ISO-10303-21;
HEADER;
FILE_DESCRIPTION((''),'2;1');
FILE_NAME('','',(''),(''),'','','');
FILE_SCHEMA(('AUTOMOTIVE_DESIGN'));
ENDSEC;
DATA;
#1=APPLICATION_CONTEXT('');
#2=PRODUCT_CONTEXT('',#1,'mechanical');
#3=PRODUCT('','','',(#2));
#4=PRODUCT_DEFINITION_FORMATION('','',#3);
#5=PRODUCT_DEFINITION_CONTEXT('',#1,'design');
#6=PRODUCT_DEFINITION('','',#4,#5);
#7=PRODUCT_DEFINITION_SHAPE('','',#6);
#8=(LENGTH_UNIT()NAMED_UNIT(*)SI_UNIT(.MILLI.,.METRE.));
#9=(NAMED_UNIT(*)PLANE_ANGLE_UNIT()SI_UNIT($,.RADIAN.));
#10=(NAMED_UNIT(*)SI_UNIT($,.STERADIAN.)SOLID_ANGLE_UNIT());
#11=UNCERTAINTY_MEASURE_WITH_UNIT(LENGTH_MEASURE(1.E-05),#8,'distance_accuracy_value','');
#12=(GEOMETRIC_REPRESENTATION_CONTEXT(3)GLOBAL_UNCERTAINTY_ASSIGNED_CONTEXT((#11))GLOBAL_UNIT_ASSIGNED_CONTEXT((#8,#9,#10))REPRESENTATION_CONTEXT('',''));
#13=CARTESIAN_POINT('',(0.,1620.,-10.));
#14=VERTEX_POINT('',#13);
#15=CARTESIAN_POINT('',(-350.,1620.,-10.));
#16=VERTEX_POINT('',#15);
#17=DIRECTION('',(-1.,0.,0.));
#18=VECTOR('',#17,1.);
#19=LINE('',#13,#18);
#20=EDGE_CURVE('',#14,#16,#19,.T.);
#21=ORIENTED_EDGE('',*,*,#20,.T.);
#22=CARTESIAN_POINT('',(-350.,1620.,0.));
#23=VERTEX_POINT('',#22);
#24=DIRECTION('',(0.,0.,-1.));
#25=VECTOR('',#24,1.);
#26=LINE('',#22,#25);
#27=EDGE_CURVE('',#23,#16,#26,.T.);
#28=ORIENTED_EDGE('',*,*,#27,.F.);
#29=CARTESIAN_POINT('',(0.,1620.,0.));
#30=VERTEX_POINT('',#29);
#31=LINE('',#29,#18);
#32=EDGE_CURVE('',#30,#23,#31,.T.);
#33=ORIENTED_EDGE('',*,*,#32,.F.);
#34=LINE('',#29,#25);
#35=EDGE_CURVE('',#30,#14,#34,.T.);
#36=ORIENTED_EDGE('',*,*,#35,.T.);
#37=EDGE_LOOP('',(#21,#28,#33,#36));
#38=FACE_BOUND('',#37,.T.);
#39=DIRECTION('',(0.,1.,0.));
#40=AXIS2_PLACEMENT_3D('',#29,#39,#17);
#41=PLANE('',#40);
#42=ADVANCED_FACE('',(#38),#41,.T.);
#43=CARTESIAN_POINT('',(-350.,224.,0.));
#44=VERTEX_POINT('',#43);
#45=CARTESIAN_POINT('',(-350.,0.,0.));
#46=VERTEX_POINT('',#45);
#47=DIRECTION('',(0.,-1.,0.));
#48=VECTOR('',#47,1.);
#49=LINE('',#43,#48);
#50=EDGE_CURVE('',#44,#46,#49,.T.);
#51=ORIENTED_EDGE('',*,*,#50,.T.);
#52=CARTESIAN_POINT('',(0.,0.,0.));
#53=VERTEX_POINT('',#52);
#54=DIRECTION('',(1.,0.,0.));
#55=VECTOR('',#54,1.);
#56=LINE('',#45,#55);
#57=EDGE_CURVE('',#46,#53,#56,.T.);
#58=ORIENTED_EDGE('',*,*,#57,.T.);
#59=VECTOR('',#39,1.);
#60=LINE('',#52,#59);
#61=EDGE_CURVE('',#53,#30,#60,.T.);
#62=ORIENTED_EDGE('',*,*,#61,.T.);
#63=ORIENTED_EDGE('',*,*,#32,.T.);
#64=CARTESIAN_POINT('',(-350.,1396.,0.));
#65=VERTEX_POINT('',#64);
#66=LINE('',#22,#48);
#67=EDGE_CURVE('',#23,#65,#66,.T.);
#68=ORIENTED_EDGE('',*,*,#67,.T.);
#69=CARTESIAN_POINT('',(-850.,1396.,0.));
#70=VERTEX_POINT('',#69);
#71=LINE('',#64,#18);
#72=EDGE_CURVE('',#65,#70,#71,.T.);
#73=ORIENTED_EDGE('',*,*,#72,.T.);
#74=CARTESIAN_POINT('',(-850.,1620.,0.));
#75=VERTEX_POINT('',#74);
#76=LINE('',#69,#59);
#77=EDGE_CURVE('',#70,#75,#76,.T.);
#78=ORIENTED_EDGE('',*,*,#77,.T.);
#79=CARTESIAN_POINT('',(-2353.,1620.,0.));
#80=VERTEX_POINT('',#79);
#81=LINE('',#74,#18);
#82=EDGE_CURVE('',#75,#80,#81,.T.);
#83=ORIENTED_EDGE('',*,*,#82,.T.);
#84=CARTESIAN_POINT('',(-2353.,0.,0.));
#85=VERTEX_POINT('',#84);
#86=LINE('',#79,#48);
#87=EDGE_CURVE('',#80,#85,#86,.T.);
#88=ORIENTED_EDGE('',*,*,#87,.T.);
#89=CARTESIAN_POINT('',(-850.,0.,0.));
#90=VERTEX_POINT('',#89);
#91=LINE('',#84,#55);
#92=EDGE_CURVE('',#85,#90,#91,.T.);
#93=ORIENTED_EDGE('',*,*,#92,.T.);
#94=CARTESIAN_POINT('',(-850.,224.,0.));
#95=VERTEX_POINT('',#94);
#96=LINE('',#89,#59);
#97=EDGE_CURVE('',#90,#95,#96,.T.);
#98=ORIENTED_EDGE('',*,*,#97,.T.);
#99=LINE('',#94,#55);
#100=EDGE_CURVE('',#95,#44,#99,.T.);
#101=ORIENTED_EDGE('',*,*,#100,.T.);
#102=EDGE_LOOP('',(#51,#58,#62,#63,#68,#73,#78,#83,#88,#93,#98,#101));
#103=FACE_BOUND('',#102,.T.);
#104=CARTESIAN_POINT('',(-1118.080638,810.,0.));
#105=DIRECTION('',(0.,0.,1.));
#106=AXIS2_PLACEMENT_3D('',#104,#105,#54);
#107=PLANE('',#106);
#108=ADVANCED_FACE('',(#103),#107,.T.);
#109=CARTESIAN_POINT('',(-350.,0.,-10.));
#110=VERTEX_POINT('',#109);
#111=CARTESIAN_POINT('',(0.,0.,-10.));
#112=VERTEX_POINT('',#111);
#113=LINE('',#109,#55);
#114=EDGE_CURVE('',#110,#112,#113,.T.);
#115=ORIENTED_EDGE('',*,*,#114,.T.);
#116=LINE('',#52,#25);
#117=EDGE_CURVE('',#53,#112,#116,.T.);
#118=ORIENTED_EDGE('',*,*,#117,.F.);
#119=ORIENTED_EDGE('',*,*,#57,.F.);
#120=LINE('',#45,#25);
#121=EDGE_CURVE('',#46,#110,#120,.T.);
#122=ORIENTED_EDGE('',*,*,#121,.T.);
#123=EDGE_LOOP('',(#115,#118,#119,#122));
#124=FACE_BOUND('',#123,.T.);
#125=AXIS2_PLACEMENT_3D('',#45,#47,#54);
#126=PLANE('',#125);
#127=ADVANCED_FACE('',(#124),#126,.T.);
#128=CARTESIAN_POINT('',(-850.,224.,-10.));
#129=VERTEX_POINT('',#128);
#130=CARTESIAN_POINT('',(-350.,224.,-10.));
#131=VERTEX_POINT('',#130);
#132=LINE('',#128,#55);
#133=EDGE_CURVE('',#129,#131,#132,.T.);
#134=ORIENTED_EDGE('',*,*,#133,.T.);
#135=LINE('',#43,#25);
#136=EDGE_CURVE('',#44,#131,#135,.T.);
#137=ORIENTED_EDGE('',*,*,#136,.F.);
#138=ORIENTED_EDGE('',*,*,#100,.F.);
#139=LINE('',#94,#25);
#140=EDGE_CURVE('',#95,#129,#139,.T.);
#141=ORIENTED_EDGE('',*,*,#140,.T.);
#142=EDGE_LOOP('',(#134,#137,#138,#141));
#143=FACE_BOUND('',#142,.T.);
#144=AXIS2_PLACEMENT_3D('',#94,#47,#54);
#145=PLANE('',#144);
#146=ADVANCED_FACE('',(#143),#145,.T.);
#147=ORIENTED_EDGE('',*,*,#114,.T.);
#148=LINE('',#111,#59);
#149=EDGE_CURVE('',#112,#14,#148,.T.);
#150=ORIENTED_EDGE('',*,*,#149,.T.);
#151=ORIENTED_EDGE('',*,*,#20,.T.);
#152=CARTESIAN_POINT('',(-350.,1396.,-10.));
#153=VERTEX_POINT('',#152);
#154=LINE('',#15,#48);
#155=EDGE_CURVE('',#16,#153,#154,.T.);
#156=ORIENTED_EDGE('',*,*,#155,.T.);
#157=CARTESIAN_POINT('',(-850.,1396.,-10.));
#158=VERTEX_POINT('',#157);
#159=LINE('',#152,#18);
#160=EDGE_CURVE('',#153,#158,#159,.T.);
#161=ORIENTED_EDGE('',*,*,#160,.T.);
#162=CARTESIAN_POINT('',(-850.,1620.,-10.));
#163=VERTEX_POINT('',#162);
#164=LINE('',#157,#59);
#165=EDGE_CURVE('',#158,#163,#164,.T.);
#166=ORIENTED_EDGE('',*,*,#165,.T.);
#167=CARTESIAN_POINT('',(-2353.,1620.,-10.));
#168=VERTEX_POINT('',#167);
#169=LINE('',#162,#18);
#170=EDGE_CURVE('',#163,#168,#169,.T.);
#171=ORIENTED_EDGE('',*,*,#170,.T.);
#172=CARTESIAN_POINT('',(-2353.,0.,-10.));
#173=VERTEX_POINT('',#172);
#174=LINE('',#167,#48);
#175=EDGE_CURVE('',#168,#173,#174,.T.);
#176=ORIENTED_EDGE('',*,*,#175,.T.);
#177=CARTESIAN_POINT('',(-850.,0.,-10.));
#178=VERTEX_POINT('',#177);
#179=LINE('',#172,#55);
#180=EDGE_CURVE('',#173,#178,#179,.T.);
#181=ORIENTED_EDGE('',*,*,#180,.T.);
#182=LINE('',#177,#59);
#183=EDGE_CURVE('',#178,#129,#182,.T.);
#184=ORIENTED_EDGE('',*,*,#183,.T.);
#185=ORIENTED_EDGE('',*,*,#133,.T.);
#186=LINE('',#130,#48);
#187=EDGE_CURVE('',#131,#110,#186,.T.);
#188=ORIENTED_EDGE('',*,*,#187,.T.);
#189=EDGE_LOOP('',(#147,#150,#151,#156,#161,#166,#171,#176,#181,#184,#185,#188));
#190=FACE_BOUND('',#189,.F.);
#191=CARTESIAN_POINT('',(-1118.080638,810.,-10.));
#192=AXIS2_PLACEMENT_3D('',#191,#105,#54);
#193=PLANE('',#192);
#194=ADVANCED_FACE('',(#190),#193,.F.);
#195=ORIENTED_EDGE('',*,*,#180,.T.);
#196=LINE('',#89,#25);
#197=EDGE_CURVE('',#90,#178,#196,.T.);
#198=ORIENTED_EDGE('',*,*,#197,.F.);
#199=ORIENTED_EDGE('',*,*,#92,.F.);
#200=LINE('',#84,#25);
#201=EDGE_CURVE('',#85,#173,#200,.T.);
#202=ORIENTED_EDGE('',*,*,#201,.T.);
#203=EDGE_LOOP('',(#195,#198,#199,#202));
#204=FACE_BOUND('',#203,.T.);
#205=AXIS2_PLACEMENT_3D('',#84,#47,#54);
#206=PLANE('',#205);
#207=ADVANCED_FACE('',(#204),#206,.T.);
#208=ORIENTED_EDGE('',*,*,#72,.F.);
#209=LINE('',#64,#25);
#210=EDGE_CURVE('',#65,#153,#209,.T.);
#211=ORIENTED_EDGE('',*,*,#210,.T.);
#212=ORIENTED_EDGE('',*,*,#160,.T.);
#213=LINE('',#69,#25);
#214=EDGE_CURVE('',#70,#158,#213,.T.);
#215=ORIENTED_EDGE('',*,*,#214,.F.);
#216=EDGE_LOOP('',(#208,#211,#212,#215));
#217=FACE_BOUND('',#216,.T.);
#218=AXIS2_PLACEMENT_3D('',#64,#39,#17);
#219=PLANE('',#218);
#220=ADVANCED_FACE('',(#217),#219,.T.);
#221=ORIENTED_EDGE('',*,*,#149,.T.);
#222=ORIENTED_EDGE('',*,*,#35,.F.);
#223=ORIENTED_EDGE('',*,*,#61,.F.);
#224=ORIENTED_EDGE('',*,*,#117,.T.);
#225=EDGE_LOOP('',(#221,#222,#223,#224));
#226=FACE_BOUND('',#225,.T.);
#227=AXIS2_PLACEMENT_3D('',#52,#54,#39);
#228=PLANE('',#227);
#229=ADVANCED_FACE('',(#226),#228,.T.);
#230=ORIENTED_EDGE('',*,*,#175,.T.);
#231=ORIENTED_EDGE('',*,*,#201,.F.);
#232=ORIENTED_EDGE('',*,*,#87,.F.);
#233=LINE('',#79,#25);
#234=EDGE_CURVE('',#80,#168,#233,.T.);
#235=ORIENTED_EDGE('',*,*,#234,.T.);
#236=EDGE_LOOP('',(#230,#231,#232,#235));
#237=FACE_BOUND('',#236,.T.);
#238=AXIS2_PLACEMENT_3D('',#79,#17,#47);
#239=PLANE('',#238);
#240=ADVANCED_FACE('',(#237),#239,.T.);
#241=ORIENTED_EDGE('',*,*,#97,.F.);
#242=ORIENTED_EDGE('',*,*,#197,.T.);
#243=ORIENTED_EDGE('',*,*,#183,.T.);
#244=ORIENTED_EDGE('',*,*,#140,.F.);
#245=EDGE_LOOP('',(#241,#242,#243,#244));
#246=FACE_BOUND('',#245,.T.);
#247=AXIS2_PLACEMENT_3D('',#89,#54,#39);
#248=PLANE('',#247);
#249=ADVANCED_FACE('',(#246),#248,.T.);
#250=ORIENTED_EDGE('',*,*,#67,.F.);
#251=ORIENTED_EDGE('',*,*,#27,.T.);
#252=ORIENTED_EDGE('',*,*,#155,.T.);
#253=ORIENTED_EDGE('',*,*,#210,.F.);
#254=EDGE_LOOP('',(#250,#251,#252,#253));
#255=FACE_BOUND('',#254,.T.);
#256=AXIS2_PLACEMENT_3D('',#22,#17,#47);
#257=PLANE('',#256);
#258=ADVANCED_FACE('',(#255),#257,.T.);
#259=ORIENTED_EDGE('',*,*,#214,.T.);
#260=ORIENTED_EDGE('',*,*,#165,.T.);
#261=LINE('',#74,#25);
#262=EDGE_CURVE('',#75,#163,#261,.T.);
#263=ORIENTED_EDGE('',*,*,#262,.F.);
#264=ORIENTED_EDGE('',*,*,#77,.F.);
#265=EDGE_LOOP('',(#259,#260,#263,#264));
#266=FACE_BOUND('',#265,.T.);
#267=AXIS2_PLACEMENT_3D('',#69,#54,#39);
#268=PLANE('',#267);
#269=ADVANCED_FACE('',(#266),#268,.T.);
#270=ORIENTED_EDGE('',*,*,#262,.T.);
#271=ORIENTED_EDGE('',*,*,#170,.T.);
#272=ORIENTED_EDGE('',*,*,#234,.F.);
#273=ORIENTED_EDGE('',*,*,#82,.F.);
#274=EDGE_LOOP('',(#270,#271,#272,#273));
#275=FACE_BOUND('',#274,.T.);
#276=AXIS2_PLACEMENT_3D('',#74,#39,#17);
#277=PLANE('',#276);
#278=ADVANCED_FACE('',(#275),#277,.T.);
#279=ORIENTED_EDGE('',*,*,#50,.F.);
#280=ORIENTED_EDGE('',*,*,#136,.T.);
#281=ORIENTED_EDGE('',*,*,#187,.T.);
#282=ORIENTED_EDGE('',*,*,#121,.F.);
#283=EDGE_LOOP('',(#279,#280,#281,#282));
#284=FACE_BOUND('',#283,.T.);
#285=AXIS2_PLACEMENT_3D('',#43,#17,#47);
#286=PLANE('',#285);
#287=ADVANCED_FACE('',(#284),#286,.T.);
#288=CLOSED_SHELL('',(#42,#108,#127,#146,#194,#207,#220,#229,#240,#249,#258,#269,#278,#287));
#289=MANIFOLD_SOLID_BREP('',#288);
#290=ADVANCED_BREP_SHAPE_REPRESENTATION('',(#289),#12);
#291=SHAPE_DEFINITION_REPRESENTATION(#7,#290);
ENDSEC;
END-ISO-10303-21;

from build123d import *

# Parameters (mm, degrees)
F2_DEPTH = 10


with BuildPart() as f2:
    # F1 (on face) → F2 (new body)
    with BuildSketch(Plane.XY):
        Polygon((-850, 1620), (-2353, 1620), (-2353, 0), (-850, 0), (-850, 224), (-350, 224), (-350, 0), (0, 0), (0, 1620), (-350, 1620), (-350, 1396), (-850, 1396), align=None)
    extrude(amount=-F2_DEPTH)


solid = f2.part
